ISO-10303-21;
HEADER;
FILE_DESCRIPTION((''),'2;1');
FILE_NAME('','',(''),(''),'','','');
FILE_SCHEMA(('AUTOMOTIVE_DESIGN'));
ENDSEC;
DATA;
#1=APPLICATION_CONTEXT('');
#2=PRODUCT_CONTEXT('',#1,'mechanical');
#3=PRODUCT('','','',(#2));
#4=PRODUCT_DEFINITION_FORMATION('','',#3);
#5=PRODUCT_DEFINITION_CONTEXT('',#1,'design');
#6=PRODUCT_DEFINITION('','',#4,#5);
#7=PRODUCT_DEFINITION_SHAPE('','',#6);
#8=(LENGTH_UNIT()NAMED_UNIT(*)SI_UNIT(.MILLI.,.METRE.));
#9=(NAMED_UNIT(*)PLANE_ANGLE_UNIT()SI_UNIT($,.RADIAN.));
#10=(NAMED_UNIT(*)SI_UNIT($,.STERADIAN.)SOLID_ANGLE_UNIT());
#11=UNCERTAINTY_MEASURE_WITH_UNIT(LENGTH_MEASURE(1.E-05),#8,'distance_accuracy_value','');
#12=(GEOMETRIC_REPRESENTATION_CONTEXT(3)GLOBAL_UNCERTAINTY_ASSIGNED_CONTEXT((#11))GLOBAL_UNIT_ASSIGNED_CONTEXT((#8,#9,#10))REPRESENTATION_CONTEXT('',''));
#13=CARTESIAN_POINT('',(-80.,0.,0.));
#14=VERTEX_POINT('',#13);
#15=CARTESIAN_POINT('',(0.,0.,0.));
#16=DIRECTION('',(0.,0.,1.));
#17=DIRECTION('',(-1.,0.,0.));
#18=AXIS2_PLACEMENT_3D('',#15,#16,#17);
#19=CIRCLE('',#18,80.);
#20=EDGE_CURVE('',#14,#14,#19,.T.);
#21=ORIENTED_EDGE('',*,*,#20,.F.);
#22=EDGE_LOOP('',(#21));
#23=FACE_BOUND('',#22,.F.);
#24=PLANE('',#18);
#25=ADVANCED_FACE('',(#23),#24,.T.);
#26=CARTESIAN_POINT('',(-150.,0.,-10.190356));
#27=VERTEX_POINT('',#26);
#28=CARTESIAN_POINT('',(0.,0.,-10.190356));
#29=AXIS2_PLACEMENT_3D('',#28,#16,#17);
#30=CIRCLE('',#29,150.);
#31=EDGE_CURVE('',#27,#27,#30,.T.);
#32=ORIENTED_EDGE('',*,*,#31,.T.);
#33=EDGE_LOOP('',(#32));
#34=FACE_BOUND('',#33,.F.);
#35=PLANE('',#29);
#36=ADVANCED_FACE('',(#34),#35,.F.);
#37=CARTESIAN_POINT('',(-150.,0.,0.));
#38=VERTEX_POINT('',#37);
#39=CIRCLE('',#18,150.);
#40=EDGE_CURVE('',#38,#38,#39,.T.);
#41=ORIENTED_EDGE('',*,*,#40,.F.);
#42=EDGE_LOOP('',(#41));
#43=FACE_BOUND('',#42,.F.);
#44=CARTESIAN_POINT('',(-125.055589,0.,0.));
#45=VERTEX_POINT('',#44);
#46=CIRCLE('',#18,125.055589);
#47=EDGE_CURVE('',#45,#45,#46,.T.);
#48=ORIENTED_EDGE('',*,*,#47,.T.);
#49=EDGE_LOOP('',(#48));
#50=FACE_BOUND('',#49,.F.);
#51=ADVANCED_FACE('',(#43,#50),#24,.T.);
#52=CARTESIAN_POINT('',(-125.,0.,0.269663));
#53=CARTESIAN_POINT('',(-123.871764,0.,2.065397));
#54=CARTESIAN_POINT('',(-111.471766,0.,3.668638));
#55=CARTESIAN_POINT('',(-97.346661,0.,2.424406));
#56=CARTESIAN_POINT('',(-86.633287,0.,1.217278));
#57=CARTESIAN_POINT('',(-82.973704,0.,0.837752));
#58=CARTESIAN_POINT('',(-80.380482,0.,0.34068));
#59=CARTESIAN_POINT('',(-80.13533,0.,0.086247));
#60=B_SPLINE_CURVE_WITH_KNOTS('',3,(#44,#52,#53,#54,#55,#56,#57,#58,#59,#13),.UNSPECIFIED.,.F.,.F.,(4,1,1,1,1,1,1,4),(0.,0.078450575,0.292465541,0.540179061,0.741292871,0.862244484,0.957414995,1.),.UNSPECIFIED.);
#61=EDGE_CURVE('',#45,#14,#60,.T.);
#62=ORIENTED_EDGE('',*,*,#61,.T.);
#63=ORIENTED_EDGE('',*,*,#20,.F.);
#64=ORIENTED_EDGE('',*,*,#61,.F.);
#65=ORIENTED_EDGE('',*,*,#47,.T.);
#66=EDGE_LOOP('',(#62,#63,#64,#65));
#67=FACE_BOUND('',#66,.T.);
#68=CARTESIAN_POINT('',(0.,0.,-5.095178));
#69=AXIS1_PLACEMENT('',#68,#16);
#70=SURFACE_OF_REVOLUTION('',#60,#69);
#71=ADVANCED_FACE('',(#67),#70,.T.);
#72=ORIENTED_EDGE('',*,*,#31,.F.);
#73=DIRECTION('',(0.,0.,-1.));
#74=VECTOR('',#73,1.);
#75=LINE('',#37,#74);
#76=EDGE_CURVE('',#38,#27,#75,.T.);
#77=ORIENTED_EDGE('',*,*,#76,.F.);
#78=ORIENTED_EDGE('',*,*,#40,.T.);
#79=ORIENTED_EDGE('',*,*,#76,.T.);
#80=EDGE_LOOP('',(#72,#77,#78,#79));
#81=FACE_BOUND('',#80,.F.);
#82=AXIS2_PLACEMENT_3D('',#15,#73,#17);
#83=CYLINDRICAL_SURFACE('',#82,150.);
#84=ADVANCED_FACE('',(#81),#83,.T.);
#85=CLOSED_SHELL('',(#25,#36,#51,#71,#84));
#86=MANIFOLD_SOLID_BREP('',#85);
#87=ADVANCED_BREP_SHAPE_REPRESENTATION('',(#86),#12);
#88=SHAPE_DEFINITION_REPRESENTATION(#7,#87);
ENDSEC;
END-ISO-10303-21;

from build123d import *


with BuildPart() as f1:
    # F0 (on Front) → F1 (revolve)
    with BuildSketch(Plane.XZ):
        with BuildLine():
            Line((0, -10.1903555852), (0, 0))
            Line((0, 0), (-80, 0))
            add(Edge.make_bspline(
                [(-125.0555893085, 0), (-125, 0.2696634015), (-123.8717641978, 2.0653971564), (-111.4717659162, 3.6686380585), (-97.3466610361, 2.4244057621), (-86.6332866395, 1.2172777507), (-82.9737044734, 0.8377522722), (-80.380481667, 0.3406798235), (-80.1353301655, 0.0862470384), (-80, 0)],
                knots=[0, 0, 0, 0, 0.0784505753, 0.2924655412, 0.5401790612, 0.7412928705, 0.8622444841, 0.9574149951, 1, 1, 1, 1], degree=3))
            Line((-125.0555893085, 0), (-150, 0))
            Line((-150, 0), (-150, -10.1903555852))
            Line((-150, -10.1903555852), (0, -10.1903555852))
        make_face()
    revolve(axis=Axis((0, 0, -5.0951777926), (0, 0, 1)))


solid = f1.part
